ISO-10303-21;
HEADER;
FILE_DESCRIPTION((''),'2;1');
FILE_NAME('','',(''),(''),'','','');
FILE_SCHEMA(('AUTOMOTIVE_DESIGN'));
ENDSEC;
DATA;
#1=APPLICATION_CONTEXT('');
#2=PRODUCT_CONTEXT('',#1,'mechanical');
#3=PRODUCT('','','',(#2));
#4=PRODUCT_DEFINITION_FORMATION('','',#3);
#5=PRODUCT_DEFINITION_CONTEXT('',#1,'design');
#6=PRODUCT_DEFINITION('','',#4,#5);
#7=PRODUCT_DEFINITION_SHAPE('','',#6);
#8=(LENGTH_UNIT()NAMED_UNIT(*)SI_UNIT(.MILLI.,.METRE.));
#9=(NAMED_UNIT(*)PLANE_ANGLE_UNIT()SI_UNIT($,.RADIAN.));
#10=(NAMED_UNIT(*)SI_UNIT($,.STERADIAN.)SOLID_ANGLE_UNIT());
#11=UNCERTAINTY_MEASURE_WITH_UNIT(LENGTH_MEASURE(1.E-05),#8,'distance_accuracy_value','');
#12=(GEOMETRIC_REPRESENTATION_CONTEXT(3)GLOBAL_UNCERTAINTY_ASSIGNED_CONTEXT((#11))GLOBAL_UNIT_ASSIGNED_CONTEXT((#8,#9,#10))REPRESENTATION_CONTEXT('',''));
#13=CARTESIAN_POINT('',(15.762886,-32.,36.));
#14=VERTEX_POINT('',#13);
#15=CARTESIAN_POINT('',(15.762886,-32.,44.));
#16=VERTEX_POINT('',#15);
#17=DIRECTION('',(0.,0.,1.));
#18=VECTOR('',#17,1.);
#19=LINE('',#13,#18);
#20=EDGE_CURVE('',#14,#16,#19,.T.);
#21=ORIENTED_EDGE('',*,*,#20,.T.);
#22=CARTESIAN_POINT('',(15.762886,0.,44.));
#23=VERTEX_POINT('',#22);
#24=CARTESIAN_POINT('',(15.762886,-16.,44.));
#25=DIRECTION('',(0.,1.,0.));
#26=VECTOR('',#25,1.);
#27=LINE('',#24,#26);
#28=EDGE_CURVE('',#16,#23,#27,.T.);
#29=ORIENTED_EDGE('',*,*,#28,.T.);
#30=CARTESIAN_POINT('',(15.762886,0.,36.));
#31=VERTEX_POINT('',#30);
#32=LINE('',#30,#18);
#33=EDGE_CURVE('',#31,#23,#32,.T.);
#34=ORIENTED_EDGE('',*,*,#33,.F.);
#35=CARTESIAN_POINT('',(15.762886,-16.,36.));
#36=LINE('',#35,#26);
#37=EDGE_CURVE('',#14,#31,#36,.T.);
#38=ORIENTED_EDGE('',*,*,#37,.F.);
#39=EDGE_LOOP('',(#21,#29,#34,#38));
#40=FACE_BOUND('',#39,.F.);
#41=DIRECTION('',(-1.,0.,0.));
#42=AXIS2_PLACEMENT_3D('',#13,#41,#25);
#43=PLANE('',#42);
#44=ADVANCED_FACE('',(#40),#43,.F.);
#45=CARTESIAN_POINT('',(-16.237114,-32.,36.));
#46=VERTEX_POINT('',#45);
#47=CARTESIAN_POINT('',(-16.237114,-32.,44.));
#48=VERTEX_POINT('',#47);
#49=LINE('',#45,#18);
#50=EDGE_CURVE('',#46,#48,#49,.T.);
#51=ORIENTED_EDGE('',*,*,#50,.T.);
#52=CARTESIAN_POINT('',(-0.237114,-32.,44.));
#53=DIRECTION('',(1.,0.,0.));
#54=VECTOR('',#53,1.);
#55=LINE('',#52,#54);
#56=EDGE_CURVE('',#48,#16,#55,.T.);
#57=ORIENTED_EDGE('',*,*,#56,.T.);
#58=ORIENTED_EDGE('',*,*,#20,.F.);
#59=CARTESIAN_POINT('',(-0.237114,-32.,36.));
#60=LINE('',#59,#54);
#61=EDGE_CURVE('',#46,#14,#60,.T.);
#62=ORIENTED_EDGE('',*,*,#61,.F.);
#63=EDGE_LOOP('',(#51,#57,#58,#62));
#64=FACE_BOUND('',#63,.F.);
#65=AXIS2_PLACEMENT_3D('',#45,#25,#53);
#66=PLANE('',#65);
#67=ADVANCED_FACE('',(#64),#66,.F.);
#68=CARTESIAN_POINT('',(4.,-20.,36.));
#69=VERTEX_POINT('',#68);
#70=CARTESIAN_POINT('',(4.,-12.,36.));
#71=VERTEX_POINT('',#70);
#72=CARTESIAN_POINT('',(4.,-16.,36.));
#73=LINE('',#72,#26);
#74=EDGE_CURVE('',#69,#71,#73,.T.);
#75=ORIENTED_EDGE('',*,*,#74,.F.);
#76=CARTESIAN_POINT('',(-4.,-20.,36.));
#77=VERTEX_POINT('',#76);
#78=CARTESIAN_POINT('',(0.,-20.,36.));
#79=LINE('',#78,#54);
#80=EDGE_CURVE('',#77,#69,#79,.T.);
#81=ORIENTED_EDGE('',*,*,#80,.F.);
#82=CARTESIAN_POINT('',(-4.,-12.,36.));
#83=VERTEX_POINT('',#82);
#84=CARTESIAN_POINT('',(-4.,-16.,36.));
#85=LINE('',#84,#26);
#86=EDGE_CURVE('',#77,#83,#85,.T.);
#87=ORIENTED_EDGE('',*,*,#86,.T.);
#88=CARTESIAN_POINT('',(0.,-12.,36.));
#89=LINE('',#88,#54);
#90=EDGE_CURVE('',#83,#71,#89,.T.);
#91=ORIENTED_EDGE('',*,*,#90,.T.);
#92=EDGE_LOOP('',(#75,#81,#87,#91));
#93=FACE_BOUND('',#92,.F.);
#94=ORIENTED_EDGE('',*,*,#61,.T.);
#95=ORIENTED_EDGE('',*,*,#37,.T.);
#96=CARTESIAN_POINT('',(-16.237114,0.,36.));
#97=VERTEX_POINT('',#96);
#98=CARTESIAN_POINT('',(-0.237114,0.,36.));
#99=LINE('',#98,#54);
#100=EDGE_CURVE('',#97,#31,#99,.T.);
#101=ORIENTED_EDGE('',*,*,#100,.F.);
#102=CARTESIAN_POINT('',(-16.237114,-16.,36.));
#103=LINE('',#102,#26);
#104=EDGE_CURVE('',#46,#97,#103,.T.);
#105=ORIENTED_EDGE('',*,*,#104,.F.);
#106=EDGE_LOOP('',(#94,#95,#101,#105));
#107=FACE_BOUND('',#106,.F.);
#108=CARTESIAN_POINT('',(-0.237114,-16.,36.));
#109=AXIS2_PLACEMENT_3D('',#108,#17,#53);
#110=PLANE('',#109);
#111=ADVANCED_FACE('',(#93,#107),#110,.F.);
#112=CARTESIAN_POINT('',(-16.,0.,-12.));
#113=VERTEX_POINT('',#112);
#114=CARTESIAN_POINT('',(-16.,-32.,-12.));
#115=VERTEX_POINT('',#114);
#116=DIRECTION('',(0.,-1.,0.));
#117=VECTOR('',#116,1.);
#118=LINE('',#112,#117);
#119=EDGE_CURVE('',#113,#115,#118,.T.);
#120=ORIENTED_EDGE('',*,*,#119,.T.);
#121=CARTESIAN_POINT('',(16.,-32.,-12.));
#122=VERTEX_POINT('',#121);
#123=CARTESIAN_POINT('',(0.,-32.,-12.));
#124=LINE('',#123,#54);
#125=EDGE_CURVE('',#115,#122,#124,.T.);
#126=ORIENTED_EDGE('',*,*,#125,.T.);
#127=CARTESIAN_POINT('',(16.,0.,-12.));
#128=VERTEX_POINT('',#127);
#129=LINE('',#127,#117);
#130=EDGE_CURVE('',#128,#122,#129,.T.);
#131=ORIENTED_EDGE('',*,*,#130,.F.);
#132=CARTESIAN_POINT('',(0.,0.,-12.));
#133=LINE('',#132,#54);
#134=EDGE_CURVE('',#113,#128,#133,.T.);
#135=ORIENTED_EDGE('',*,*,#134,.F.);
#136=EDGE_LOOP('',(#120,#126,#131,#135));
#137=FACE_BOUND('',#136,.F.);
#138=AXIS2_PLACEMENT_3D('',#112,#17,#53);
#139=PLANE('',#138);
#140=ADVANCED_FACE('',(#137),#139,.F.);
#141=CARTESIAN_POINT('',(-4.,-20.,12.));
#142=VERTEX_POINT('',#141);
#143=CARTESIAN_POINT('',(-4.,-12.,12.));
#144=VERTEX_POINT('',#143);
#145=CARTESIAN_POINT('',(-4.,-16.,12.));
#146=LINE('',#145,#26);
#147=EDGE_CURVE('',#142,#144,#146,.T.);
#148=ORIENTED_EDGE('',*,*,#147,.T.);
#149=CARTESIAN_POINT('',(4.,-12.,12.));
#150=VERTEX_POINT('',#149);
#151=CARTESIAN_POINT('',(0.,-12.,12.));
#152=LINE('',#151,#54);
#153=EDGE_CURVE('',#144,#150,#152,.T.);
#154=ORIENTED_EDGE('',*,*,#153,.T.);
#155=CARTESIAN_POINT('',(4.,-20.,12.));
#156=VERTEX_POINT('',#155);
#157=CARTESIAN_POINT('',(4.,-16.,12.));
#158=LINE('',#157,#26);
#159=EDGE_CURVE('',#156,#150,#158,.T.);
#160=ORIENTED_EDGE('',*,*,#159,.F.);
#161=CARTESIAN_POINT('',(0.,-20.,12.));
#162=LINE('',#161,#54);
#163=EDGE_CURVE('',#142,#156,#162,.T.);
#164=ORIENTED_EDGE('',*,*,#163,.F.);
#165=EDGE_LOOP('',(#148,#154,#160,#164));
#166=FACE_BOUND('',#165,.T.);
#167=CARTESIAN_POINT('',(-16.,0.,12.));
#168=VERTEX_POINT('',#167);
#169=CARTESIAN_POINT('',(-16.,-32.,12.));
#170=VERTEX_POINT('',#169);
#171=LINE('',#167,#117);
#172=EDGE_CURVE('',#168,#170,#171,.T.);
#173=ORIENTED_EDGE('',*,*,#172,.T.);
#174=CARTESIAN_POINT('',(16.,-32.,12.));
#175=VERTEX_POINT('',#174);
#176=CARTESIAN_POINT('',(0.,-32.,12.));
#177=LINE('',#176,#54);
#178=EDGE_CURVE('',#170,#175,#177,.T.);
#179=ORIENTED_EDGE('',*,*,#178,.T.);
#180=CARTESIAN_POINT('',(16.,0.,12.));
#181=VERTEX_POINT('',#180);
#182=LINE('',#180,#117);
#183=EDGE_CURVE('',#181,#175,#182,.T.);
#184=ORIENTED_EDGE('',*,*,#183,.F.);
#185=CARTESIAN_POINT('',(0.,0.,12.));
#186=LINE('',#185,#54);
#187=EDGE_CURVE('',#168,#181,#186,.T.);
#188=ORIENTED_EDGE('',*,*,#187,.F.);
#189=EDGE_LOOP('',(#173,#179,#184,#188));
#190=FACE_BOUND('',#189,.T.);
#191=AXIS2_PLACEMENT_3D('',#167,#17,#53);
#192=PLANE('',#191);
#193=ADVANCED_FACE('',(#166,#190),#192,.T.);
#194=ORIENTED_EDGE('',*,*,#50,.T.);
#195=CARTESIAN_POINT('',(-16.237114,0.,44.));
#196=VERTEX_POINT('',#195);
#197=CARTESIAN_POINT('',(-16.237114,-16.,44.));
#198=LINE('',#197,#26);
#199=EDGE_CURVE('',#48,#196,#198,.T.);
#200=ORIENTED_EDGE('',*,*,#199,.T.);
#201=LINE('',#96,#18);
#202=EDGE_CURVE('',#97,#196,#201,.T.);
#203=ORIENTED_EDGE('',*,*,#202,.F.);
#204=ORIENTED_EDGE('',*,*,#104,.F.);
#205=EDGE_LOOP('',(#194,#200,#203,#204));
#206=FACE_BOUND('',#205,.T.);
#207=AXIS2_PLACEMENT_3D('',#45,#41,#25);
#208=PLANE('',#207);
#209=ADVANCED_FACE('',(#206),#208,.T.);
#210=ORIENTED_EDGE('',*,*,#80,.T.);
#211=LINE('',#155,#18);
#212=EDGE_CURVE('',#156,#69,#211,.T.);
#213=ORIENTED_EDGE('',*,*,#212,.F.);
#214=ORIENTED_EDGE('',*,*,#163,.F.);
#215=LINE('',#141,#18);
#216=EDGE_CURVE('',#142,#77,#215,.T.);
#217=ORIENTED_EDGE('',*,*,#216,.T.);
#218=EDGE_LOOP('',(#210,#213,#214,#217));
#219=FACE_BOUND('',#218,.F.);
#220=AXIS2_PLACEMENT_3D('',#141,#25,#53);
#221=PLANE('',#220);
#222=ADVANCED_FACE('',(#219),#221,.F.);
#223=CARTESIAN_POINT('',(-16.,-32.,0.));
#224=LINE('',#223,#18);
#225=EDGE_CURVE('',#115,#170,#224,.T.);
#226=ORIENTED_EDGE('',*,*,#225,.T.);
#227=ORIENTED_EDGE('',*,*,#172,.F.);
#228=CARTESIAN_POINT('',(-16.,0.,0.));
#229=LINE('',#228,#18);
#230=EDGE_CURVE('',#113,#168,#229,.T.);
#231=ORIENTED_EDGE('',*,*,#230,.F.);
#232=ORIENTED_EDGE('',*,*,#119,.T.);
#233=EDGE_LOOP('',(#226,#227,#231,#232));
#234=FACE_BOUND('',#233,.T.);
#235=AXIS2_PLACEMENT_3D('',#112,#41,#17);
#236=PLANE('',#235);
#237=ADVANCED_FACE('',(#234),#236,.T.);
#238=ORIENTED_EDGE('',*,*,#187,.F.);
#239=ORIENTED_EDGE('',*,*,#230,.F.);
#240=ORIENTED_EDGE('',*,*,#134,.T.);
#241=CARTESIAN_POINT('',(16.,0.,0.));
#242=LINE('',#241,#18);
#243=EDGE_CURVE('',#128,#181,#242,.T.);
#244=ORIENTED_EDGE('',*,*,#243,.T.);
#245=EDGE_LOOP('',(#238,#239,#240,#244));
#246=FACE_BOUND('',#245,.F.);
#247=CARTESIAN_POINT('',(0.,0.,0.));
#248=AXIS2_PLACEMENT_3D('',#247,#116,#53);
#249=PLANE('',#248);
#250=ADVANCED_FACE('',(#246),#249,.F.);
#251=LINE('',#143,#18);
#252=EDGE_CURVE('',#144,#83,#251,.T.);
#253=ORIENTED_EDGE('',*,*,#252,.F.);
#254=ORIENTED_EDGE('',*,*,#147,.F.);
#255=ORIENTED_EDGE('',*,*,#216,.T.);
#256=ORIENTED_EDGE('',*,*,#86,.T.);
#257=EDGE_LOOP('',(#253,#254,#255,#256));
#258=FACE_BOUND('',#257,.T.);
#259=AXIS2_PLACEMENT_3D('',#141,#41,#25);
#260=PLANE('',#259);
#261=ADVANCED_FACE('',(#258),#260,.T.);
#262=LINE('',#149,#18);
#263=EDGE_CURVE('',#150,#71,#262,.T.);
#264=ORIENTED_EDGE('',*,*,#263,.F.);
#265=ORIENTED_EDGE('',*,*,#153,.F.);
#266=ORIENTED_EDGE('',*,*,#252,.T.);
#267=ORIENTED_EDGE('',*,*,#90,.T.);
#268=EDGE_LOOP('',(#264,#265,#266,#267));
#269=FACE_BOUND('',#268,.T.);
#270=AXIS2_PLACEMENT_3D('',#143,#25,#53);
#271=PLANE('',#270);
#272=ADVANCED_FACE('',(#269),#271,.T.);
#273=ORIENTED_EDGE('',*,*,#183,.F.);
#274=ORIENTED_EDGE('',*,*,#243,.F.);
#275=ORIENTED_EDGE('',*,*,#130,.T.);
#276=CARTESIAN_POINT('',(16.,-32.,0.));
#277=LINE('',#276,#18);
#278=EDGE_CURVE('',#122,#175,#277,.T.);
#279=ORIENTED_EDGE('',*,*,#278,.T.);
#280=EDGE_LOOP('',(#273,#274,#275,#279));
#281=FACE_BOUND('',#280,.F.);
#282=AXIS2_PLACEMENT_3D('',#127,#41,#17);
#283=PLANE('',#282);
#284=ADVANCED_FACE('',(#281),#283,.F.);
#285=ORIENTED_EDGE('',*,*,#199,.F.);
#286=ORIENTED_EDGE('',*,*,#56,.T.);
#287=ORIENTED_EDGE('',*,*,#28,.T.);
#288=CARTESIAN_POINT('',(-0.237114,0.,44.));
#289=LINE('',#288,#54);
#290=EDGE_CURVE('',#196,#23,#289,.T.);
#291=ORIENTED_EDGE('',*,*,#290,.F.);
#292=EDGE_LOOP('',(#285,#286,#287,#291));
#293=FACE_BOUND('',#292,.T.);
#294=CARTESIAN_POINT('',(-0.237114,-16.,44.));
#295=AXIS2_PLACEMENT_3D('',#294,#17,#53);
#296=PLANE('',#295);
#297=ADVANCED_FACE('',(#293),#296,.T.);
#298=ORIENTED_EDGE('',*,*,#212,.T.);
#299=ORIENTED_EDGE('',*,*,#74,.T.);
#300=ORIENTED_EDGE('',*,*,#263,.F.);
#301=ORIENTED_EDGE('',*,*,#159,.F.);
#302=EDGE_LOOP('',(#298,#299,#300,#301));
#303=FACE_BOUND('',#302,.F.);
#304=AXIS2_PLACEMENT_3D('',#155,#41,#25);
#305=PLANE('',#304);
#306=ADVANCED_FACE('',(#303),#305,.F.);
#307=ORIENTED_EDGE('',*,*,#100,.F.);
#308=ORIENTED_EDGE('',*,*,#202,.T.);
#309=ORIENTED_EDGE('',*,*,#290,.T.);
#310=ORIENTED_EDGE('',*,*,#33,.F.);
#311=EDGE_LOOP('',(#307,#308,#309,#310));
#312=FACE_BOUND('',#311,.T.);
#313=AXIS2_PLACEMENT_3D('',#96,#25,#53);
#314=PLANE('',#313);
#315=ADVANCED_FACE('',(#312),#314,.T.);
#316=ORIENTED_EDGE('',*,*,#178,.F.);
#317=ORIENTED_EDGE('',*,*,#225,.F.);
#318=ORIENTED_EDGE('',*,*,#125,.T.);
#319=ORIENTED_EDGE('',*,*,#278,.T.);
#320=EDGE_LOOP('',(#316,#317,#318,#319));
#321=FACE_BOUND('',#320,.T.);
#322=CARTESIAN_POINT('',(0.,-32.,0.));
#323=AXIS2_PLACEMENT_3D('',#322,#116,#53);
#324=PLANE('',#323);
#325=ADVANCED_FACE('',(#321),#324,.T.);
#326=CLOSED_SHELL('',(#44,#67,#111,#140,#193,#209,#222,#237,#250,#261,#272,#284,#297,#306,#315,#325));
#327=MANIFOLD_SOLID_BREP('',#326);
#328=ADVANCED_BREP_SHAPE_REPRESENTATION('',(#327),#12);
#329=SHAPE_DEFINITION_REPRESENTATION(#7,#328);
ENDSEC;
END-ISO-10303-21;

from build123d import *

# Parameters (mm, degrees)
F0_W     = 32
F0_H     = 24
F1_DEPTH = 32
F2_W     = 8
F2_H     = 8
F3_DEPTH = 24
F4_W     = 32
F4_H     = 32
F5_DEPTH = 8


with BuildPart() as f1:
    # F0 (on Front) → F1 (new body)
    with BuildSketch(Plane.XZ):
        Rectangle(F0_W, F0_H)
    extrude(amount=F1_DEPTH)

    # F2 (on face) → F3 (join)
    with BuildSketch(Plane.XY.offset(12)):
        with Locations((0, -16)):
            Rectangle(F2_W, F2_H)
    extrude(amount=F3_DEPTH)

    # F4 (on face) → F5 (join)
    with BuildSketch(Plane.XY.offset(36)):
        with Locations((-0.237114, -16)):
            Rectangle(F4_W, F4_H)
    extrude(amount=F5_DEPTH)


solid = f1.part
